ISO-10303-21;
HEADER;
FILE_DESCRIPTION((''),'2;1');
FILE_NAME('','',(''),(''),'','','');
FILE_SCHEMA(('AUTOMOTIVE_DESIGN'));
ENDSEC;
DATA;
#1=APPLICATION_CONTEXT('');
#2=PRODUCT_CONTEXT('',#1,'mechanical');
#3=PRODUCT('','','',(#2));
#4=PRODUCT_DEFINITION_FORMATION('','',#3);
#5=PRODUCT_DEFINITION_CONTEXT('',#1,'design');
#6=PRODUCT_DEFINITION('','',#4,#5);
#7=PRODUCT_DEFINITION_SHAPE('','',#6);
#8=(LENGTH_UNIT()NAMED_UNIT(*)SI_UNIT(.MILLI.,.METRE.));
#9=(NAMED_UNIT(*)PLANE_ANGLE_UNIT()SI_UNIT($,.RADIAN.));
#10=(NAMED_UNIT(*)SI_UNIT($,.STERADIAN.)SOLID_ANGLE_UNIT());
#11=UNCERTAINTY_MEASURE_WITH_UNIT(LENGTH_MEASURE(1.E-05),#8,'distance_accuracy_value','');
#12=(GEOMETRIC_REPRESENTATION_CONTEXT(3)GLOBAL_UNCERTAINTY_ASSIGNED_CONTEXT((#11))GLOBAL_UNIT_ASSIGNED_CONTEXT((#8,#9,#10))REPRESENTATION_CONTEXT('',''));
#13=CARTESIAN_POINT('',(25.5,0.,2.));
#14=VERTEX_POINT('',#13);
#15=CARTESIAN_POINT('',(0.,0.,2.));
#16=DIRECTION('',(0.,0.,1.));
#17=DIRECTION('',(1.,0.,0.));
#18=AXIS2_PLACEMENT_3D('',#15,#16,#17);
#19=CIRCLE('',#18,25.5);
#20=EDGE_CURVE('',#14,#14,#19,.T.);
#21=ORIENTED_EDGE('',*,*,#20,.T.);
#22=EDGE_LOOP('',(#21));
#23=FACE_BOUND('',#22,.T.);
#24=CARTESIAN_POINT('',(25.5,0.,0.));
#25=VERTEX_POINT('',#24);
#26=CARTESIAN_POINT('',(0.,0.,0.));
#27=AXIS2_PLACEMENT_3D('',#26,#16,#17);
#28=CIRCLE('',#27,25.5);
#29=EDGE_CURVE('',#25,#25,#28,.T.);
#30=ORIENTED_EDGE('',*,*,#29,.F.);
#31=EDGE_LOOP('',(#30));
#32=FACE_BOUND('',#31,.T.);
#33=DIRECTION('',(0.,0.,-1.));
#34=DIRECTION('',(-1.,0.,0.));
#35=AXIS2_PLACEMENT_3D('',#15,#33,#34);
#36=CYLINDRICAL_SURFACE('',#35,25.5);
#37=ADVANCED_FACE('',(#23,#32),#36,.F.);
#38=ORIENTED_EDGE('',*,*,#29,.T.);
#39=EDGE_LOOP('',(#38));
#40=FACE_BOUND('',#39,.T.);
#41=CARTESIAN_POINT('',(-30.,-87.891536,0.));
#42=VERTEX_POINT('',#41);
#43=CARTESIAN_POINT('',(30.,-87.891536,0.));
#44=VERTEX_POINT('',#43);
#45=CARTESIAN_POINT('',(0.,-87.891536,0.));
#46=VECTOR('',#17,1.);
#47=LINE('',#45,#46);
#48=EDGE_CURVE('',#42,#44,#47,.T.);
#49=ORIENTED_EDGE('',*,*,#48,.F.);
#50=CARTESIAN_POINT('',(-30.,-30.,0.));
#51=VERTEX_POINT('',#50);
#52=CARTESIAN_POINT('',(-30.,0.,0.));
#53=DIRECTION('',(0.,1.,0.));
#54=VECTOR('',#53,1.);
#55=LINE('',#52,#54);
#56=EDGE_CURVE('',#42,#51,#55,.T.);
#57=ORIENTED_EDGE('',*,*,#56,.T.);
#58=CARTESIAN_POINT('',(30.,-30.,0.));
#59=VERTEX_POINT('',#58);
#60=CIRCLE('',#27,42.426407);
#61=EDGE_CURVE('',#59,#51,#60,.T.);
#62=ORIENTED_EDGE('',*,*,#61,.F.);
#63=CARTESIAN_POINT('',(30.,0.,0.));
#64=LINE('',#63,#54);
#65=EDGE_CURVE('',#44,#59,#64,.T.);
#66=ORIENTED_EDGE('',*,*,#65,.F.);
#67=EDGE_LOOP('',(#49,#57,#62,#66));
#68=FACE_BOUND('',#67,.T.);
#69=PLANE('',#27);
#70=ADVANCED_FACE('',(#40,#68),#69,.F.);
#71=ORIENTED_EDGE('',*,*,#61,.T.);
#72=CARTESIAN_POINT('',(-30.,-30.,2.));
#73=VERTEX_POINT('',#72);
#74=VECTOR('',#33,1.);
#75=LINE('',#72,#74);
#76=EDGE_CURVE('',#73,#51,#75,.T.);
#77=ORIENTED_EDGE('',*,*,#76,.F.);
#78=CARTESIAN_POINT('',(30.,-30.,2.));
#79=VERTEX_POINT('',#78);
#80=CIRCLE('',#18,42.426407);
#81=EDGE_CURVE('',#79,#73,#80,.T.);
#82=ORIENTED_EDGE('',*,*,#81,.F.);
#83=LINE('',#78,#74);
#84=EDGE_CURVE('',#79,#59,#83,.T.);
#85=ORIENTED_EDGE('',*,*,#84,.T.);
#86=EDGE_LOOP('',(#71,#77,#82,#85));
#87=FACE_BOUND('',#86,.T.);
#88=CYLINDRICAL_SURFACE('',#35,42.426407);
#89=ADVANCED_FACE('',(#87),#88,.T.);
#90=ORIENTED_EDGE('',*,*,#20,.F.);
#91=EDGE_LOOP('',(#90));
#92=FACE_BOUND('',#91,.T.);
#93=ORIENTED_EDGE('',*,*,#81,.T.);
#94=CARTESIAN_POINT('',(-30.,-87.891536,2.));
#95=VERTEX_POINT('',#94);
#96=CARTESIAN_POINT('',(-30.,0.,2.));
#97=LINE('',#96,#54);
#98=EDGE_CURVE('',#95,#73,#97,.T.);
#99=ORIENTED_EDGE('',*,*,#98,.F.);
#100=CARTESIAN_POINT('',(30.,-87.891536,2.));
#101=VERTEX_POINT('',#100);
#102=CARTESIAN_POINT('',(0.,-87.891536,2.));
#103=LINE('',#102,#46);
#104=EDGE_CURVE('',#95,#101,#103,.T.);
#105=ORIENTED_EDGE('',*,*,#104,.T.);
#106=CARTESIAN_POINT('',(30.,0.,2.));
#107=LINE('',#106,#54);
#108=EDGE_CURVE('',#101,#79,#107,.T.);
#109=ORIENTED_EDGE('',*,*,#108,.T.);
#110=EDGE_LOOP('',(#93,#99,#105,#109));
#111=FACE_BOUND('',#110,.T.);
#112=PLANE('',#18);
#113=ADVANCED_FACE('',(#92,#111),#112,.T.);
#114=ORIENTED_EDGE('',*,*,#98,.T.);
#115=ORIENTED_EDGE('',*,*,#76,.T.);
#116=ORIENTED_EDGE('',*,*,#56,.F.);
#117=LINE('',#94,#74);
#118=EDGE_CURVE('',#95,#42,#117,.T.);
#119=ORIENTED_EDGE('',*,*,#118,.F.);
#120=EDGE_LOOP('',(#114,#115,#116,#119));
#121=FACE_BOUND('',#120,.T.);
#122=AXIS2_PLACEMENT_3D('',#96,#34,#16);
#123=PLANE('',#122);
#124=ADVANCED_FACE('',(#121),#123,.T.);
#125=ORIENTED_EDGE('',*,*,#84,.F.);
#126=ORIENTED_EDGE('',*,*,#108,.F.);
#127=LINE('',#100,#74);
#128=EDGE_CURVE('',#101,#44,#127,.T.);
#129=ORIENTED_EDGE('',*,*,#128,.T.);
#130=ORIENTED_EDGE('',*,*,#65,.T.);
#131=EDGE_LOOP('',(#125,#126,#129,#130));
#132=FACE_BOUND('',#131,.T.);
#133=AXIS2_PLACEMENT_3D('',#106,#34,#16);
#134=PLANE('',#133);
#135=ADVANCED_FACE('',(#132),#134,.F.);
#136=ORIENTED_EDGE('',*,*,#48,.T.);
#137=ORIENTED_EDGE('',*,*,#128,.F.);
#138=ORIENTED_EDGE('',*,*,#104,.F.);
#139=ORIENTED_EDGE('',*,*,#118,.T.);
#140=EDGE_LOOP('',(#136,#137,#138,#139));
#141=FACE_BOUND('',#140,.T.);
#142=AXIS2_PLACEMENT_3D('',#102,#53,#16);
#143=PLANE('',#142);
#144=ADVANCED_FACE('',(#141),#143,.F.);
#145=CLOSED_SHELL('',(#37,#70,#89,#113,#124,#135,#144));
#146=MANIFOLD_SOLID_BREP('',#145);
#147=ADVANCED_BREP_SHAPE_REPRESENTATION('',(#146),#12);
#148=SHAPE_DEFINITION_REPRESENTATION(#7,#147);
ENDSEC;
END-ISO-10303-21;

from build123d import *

# Parameters (mm, degrees)
SKETCH_1_R      = 25.5
EXTRUDE_1_DEPTH = 2


with BuildPart() as part:
    # 草图1 → 凸台-拉伸1 (new body)
    # profile 1 of 5: a face of its own
    with BuildSketch(Plane.XY):
        with BuildLine():
            Line((-30, -30), (-30, -87.891535797))
            Line((-30, -87.891535797), (30, -87.891535797))
            Line((30, -87.891535797), (30, -30))
            ThreePointArc((30, -30), (0, -42.426406871), (-30, -30))
        make_face()
    # profile 2 of 5: a face of its own
    with BuildSketch(Plane.XY):
        with BuildLine():
            Line((-30, 30), (-30, -30))
            ThreePointArc((-30, -30), (0, -42.426406871), (30, -30))
            Line((30, -30), (30, 30))
            Line((30, 30), (-30, 30))
        make_face()
        Circle(SKETCH_1_R, mode=Mode.SUBTRACT)
    # profile 3 of 5: a face of its own
    with BuildSketch(Plane.XY):
        with BuildLine():
            ThreePointArc((-30, 30), (-42.426406871, 0), (-30, -30))
            Line((-30, -30), (-30, 30))
        make_face()
    # profile 4 of 5: a face of its own
    with BuildSketch(Plane.XY):
        with BuildLine():
            Line((30, 30), (30, -30))
            ThreePointArc((30, -30), (39.196888946, -16.235883004), (42.426406871, 0))
            ThreePointArc((42.426406871, 0), (39.196888946, 16.235883004), (30, 30))
        make_face()
    # profile 5 of 5: a face of its own
    with BuildSketch(Plane.XY):
        with BuildLine():
            ThreePointArc((30, 30), (0, 42.426406871), (-30, 30))
            Line((-30, 30), (30, 30))
        make_face()
    extrude(amount=EXTRUDE_1_DEPTH)


solid = part.part
